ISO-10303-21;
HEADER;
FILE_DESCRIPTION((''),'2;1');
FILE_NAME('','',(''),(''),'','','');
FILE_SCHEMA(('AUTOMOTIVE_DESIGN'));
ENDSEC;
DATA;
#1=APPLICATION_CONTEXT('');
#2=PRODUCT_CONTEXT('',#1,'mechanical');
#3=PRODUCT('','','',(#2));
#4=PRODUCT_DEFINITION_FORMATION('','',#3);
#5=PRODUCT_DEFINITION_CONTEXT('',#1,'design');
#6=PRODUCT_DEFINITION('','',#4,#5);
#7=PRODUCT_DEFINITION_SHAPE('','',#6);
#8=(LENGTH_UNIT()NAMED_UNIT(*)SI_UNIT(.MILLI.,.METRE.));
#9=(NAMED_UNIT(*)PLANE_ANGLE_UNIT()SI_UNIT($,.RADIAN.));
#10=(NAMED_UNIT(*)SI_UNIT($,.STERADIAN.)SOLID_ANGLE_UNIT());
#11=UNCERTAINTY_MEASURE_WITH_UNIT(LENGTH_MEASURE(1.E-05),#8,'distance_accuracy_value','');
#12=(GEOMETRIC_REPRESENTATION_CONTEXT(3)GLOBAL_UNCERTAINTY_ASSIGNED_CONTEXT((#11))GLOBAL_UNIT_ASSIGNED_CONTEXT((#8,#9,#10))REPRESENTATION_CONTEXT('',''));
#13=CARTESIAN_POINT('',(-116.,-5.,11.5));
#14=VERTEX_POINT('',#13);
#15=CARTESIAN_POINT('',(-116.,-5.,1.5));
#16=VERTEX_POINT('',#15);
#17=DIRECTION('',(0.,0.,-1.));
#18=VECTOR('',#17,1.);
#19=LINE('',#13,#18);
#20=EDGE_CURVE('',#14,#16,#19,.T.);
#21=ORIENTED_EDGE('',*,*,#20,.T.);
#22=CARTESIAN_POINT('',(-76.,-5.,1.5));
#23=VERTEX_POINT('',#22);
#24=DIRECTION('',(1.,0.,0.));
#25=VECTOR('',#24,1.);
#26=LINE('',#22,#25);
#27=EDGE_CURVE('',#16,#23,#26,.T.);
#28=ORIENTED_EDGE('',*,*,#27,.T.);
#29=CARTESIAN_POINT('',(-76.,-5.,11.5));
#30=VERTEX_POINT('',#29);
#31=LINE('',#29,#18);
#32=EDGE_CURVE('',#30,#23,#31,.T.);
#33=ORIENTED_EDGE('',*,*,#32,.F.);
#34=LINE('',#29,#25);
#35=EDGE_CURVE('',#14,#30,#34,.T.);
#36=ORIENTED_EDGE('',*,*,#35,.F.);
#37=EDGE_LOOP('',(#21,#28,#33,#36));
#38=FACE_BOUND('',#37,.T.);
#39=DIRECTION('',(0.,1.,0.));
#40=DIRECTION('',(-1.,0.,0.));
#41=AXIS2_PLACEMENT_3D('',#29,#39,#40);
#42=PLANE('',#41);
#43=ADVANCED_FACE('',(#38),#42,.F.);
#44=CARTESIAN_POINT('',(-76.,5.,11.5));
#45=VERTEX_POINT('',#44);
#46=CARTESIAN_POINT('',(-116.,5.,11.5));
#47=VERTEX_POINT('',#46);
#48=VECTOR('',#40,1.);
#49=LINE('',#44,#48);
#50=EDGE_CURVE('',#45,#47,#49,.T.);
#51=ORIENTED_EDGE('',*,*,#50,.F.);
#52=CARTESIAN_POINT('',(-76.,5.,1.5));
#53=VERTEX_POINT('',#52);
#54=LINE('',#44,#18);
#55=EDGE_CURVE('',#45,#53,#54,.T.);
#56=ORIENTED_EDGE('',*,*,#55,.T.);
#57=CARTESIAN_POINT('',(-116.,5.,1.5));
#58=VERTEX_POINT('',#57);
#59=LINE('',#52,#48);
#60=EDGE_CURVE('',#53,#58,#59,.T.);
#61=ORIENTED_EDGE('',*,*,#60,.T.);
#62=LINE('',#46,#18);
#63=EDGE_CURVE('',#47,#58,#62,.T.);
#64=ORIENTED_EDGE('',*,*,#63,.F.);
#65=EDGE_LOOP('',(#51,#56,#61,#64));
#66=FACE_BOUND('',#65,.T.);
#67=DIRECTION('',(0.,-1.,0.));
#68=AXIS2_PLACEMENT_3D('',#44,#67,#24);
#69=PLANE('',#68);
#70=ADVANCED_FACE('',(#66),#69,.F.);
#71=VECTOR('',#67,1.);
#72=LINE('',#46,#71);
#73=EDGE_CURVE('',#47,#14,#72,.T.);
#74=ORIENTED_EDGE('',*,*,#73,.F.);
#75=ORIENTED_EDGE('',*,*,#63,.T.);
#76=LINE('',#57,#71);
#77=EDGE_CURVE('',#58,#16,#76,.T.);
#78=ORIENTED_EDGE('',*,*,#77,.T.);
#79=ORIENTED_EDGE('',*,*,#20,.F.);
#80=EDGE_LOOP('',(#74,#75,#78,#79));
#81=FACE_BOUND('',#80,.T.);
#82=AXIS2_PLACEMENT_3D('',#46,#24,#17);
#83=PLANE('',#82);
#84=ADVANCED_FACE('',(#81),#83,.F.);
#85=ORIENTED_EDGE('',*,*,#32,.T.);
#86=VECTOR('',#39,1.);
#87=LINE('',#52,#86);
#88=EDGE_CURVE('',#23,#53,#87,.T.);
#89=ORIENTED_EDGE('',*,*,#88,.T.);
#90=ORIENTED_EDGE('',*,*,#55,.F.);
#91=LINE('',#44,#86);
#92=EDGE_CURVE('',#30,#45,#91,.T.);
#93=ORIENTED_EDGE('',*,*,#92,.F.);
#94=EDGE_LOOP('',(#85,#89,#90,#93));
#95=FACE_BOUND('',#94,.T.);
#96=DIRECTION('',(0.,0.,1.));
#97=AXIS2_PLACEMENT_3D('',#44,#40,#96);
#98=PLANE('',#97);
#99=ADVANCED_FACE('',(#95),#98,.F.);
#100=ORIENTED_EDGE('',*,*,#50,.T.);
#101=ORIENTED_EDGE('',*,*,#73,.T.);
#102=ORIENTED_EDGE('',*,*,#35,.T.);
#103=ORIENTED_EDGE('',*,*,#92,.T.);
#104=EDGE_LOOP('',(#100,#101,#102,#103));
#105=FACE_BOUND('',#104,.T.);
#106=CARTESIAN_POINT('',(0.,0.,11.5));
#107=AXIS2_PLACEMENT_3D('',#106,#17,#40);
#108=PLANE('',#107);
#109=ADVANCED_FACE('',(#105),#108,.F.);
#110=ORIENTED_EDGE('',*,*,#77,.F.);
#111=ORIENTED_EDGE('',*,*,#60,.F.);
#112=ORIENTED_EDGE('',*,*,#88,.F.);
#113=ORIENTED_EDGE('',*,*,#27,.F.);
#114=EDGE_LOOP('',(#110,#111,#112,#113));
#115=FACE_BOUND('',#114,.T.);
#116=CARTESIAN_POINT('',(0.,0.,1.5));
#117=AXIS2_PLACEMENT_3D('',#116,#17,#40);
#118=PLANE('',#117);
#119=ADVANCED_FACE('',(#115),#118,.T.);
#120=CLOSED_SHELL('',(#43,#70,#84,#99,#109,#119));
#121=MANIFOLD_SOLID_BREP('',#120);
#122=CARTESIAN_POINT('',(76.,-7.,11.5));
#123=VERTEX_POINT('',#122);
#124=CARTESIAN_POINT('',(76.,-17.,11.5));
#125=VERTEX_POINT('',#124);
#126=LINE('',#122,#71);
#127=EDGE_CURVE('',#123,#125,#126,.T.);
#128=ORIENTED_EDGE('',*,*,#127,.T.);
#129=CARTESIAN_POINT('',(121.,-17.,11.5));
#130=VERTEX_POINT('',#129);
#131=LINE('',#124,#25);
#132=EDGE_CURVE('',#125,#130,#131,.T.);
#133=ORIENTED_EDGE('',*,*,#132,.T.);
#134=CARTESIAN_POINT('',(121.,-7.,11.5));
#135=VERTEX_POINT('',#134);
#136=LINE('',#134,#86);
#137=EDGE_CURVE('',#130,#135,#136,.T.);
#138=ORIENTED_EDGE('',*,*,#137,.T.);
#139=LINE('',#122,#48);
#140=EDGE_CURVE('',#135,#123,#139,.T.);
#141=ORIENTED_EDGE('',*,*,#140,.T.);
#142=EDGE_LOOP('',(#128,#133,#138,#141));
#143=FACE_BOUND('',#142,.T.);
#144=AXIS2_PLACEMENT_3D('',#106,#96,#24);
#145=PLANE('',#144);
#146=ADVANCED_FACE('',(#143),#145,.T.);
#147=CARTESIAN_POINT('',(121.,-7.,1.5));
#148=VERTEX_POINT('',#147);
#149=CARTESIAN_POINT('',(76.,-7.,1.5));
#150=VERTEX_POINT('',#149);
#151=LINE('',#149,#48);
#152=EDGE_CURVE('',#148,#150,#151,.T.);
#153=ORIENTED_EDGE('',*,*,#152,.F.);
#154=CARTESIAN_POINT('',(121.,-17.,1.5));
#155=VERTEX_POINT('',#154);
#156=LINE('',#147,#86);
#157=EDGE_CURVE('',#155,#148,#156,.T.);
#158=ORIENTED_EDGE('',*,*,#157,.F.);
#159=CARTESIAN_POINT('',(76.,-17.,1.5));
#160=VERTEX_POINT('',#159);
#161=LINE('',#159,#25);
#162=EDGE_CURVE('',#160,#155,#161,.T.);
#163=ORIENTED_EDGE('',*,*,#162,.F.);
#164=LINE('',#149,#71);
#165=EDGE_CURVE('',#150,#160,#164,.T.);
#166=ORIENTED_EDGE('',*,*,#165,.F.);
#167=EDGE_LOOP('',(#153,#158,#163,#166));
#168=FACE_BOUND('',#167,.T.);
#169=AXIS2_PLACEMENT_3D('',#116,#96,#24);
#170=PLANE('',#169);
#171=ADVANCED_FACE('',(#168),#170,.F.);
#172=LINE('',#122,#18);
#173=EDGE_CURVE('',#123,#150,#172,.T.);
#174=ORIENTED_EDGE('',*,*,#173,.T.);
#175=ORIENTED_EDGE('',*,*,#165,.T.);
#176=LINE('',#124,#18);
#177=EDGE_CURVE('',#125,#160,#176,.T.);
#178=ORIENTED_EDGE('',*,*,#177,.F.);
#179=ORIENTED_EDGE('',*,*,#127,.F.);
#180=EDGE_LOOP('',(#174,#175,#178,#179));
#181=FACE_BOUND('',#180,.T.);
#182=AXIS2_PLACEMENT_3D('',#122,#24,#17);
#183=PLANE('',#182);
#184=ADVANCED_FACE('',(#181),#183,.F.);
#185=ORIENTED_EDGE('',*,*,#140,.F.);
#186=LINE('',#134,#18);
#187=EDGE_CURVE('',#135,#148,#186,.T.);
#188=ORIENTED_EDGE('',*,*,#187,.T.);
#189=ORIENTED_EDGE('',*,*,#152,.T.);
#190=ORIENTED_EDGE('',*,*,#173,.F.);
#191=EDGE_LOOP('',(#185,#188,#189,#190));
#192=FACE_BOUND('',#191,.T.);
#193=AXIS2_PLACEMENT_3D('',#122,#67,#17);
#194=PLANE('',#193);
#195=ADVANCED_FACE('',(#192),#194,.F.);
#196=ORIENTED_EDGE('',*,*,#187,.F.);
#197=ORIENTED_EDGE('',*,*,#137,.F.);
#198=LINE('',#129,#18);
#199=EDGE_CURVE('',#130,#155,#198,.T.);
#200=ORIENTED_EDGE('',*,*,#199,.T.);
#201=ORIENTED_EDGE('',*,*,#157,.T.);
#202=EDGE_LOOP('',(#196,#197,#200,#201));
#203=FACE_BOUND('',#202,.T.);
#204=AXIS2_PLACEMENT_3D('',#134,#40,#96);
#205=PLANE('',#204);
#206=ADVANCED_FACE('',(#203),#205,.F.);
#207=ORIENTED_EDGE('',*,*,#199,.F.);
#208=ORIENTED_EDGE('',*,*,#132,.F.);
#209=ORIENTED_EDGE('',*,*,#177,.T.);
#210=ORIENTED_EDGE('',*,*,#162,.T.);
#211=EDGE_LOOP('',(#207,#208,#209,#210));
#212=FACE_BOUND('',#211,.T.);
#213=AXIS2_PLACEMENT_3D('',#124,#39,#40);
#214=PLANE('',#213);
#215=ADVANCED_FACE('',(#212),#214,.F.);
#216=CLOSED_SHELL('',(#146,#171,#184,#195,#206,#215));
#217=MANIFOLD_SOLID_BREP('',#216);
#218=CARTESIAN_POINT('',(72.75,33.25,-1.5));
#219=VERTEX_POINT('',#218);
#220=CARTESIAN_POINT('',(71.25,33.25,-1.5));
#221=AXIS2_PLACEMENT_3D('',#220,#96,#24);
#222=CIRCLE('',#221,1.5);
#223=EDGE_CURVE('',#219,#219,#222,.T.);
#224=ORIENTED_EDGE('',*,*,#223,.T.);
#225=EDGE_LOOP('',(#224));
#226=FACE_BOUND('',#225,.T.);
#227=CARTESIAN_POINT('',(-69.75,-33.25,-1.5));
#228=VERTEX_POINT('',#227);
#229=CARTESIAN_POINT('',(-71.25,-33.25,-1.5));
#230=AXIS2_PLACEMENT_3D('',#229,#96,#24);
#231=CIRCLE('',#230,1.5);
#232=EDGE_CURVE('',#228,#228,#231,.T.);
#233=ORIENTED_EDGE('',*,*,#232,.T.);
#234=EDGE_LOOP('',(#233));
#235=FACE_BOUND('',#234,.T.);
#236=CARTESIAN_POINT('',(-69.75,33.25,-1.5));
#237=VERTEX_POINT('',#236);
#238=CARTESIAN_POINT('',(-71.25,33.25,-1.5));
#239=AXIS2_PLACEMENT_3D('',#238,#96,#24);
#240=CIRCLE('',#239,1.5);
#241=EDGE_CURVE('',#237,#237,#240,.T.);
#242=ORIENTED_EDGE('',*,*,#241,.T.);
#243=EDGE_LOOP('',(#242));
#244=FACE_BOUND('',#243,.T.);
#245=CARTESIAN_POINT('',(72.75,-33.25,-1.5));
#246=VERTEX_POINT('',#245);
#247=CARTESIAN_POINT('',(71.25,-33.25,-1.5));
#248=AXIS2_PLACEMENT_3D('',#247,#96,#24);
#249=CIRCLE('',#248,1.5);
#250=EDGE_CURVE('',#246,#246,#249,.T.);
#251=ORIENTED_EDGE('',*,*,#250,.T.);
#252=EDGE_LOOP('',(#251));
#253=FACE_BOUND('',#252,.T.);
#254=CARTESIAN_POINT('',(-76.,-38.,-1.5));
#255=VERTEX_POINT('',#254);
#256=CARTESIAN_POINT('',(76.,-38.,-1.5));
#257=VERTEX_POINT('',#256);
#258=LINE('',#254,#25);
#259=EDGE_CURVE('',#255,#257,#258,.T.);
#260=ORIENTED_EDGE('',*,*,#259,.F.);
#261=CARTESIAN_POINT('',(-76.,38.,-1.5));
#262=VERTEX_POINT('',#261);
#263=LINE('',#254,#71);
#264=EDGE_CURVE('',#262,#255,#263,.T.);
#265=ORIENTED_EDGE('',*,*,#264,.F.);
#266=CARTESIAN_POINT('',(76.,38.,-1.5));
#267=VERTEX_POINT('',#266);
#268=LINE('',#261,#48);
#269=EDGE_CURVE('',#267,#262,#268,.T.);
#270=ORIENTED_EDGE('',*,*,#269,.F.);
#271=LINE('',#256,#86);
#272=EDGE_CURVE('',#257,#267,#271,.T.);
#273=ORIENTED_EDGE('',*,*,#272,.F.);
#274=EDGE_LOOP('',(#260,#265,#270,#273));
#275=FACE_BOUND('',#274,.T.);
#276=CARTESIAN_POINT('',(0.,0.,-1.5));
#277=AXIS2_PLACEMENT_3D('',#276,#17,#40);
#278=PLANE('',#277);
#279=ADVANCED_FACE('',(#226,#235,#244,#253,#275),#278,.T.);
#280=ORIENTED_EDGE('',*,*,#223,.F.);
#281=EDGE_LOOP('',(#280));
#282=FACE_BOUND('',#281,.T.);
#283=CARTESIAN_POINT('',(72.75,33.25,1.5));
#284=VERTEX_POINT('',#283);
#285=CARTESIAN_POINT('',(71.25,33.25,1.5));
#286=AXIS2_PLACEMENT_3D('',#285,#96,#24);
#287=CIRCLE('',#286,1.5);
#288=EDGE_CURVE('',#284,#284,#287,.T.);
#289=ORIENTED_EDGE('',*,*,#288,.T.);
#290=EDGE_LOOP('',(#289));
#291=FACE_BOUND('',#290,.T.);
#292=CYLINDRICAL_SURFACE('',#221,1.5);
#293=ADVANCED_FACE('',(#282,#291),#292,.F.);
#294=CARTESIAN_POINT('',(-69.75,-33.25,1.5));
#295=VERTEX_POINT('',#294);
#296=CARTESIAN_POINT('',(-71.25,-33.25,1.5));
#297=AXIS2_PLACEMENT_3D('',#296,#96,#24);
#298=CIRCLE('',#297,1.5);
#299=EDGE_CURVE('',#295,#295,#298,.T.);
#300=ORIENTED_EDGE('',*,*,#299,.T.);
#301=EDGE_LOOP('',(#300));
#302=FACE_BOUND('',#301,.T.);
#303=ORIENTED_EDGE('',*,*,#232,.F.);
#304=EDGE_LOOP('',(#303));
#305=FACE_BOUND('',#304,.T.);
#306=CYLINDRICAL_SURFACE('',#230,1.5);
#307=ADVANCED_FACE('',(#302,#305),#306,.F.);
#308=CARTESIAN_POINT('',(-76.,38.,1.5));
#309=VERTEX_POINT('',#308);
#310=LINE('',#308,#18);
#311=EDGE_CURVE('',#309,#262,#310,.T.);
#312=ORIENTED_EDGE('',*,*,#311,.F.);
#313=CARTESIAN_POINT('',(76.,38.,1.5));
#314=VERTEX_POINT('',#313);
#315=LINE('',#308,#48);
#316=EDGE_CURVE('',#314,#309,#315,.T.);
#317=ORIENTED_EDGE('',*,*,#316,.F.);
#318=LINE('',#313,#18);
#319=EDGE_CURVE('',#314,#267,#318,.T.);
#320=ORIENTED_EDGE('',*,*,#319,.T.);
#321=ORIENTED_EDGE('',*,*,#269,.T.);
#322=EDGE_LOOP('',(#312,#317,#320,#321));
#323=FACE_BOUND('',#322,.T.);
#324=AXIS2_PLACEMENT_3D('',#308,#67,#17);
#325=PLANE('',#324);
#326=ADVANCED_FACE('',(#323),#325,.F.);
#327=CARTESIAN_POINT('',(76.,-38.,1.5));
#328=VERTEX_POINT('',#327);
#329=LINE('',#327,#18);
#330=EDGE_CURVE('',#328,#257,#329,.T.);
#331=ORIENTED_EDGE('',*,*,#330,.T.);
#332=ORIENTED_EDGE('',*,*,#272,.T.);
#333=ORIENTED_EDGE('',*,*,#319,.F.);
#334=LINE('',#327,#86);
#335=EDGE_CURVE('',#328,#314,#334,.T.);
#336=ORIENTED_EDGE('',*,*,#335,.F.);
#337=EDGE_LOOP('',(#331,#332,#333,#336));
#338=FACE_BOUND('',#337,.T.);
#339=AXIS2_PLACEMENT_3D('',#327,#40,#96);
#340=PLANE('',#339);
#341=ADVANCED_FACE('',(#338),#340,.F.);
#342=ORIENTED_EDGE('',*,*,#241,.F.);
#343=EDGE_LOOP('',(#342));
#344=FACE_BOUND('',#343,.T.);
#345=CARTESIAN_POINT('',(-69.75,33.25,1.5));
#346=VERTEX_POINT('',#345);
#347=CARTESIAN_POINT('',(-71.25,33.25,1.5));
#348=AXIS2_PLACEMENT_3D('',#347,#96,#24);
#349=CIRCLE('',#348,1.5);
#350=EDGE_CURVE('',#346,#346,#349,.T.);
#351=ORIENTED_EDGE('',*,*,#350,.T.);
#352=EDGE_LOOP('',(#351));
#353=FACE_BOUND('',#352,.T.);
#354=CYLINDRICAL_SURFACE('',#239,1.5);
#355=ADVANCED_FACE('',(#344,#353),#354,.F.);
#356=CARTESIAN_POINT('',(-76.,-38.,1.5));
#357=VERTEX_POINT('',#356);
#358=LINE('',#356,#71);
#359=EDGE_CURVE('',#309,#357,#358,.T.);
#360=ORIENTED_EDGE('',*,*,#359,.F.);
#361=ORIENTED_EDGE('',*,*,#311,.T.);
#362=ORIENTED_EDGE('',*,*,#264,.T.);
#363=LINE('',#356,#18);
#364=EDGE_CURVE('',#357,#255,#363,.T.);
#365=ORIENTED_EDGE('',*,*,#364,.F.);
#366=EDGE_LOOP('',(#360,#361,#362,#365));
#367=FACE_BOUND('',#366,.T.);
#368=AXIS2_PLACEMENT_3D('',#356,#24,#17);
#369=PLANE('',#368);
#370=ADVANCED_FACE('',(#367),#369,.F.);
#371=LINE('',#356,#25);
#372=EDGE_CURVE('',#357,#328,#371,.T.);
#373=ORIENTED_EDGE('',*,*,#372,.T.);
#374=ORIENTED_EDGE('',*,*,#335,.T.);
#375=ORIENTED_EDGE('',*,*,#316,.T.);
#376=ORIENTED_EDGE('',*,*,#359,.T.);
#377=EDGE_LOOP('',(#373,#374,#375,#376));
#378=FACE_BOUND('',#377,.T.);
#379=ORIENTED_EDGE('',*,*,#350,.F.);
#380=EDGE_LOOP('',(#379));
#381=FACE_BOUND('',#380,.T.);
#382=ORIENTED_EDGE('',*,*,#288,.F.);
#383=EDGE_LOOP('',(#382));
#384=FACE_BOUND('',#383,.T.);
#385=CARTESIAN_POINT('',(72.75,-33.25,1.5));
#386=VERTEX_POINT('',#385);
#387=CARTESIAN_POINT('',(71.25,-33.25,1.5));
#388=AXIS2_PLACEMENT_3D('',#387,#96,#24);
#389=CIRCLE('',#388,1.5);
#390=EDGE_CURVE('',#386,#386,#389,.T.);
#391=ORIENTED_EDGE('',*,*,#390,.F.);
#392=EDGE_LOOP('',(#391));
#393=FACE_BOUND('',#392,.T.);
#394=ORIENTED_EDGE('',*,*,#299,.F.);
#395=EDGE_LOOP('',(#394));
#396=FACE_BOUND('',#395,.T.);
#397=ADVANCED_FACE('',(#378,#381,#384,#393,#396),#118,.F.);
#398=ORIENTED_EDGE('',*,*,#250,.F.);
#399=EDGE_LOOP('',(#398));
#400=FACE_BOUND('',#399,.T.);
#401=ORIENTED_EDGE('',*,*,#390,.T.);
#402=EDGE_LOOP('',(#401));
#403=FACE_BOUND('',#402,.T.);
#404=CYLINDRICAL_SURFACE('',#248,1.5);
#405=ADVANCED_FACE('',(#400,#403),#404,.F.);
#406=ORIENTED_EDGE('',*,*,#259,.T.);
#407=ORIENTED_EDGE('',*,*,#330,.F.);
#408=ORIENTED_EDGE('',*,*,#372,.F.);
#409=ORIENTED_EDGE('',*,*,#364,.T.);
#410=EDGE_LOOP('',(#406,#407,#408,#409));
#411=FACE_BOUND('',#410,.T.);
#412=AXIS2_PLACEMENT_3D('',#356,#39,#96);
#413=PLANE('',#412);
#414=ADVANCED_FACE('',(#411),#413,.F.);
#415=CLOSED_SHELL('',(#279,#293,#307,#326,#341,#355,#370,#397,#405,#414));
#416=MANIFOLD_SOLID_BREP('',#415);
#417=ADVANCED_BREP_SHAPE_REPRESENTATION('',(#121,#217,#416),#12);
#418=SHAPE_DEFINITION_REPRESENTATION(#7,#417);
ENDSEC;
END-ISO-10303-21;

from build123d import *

# Parameters (mm, degrees)
SKETCH1_W               = 152
SKETCH1_H               = 76
BOSS_EXTRUDE1_DEPTH     = 1.5
SKETCH3_R               = 1.5
CUT_EXTRUDE1_DEPTH      = 2.5
CUT_EXTRUDE1_DEPTH_BACK = 2.5
SKETCH4_W               = 40
SKETCH4_H               = 10
BOSS_EXTRUDE2_DEPTH     = 10
SKETCH4_W_2             = 45
BOSS_EXTRUDE2_2_DEPTH   = 10


with BuildPart() as part:
    # Sketch1 → Boss-Extrude1 (new body, symmetric)
    with BuildSketch(Plane.XY):
        Rectangle(SKETCH1_W, SKETCH1_H)
    extrude(amount=BOSS_EXTRUDE1_DEPTH, both=True)

    # Sketch3 → Cut-Extrude1 (cut, two sides)
    with BuildSketch(Plane.XY) as cut_extrude1_sk:
        with Locations((-71.25, 33.25)):
            Circle(SKETCH3_R)
        with Locations((71.25, 33.25)):
            Circle(SKETCH3_R)
        with Locations((-71.25, -33.25)):
            Circle(SKETCH3_R)
        with Locations((71.25, -33.25)):
            Circle(SKETCH3_R)
    extrude(amount=CUT_EXTRUDE1_DEPTH, mode=Mode.SUBTRACT)
    extrude(cut_extrude1_sk.sketch, amount=-CUT_EXTRUDE1_DEPTH_BACK, mode=Mode.SUBTRACT)


with BuildPart() as body_2:
    # Sketch4 → Boss-Extrude2 (new body)
    with BuildSketch(Plane.XY.offset(1.5)):
        with Locations((-96, 0)):
            Rectangle(SKETCH4_W, SKETCH4_H)
    extrude(amount=BOSS_EXTRUDE2_DEPTH)


with BuildPart() as body_3:
    # Sketch4 → Boss-Extrude2 2 (new body)
    with BuildSketch(Plane.XY.offset(1.5)):
        with Locations((98.5, -12)):
            Rectangle(SKETCH4_W_2, SKETCH4_H)
    extrude(amount=BOSS_EXTRUDE2_2_DEPTH)


solid = Compound([part.part, body_2.part, body_3.part])
